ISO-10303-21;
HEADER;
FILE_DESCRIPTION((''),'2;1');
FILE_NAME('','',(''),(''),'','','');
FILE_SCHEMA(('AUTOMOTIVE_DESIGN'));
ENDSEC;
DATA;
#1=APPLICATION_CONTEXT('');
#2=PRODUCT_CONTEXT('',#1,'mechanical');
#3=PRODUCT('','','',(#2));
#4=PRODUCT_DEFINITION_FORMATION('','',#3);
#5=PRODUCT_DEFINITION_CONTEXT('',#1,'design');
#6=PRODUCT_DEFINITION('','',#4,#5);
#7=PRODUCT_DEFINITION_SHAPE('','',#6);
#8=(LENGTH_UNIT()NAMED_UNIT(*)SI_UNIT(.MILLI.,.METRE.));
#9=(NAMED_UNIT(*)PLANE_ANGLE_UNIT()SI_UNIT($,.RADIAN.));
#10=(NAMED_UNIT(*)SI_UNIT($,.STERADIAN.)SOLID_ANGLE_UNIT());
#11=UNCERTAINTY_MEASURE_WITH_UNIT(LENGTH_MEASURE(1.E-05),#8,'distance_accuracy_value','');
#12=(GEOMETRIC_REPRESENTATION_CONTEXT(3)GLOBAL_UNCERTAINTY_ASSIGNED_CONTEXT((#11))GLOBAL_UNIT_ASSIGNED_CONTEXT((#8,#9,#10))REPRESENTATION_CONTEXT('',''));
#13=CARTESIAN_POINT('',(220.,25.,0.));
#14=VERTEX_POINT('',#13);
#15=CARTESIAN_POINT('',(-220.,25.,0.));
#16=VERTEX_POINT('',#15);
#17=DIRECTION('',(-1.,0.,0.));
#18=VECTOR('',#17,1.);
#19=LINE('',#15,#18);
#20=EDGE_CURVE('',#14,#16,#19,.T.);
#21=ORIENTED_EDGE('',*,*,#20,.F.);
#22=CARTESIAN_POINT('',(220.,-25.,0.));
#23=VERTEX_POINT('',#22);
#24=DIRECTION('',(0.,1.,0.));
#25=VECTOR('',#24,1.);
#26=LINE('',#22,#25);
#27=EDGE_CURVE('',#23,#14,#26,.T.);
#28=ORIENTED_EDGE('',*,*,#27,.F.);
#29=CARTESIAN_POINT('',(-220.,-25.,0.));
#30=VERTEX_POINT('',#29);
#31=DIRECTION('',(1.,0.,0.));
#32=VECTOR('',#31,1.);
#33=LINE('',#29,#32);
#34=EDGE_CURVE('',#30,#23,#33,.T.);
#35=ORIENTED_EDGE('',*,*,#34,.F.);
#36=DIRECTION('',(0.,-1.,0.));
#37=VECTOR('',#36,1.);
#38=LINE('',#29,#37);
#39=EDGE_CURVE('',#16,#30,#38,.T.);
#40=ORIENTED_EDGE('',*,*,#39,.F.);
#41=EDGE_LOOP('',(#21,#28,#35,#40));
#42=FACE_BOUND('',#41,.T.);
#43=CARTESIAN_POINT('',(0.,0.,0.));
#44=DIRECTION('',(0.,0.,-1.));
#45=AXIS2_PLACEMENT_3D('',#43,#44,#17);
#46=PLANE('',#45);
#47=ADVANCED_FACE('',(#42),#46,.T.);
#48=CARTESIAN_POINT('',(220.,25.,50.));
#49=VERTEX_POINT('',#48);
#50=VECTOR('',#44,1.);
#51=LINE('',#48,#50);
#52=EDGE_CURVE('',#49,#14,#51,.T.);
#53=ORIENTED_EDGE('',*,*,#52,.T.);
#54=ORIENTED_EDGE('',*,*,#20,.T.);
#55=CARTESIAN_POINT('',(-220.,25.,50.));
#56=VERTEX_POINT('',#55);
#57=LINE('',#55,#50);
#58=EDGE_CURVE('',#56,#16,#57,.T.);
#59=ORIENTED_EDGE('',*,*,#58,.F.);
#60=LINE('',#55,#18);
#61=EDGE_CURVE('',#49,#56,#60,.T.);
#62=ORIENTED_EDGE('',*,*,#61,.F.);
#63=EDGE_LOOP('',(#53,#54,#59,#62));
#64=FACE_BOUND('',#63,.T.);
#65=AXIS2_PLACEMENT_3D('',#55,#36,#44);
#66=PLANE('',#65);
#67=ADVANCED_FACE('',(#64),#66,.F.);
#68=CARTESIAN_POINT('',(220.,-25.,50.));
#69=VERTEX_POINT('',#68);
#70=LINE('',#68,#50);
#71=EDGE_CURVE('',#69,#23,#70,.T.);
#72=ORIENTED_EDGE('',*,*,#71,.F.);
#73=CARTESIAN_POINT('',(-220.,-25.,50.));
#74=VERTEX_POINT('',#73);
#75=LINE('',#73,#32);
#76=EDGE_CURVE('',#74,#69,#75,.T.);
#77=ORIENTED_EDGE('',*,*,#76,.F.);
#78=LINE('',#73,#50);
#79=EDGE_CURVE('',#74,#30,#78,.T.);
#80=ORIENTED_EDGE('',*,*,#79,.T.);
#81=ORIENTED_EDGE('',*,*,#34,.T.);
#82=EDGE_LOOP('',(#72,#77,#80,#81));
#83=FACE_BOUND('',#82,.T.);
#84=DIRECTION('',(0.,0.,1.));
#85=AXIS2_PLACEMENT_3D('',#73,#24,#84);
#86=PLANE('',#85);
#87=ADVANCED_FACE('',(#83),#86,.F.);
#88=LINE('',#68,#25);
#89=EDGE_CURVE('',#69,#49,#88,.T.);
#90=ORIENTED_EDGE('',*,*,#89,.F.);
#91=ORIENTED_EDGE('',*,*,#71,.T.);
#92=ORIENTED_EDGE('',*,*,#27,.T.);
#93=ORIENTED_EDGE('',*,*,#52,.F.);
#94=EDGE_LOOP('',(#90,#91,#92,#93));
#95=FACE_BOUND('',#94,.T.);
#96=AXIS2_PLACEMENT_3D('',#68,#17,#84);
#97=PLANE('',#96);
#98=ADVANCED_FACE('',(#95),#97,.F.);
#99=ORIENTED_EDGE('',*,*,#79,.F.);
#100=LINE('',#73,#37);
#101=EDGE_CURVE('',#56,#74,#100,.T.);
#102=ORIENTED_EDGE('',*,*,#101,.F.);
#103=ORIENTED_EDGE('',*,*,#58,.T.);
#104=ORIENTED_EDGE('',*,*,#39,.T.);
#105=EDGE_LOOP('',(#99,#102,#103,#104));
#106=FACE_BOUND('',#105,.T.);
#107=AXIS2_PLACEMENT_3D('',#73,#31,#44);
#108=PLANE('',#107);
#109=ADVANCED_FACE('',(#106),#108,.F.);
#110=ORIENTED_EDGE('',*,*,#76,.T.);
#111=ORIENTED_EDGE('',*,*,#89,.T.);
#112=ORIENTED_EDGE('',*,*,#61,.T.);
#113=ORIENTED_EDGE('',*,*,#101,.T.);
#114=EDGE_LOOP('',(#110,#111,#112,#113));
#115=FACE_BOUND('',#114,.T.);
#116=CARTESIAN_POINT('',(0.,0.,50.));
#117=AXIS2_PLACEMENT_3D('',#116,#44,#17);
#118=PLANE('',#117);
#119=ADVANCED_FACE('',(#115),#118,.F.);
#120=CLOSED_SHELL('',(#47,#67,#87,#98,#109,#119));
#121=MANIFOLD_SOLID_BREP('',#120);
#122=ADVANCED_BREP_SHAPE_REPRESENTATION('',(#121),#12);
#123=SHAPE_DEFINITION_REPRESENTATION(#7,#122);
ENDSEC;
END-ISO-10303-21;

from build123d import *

# Parameters (mm, degrees)
SKETCH1_W           = 440
SKETCH1_H           = 50
BOSS_EXTRUDE1_DEPTH = 50


with BuildPart() as part:
    # Sketch1 → Boss-Extrude1 (new body)
    with BuildSketch(Plane.XY):
        Rectangle(SKETCH1_W, SKETCH1_H)
    extrude(amount=BOSS_EXTRUDE1_DEPTH)


solid = part.part
